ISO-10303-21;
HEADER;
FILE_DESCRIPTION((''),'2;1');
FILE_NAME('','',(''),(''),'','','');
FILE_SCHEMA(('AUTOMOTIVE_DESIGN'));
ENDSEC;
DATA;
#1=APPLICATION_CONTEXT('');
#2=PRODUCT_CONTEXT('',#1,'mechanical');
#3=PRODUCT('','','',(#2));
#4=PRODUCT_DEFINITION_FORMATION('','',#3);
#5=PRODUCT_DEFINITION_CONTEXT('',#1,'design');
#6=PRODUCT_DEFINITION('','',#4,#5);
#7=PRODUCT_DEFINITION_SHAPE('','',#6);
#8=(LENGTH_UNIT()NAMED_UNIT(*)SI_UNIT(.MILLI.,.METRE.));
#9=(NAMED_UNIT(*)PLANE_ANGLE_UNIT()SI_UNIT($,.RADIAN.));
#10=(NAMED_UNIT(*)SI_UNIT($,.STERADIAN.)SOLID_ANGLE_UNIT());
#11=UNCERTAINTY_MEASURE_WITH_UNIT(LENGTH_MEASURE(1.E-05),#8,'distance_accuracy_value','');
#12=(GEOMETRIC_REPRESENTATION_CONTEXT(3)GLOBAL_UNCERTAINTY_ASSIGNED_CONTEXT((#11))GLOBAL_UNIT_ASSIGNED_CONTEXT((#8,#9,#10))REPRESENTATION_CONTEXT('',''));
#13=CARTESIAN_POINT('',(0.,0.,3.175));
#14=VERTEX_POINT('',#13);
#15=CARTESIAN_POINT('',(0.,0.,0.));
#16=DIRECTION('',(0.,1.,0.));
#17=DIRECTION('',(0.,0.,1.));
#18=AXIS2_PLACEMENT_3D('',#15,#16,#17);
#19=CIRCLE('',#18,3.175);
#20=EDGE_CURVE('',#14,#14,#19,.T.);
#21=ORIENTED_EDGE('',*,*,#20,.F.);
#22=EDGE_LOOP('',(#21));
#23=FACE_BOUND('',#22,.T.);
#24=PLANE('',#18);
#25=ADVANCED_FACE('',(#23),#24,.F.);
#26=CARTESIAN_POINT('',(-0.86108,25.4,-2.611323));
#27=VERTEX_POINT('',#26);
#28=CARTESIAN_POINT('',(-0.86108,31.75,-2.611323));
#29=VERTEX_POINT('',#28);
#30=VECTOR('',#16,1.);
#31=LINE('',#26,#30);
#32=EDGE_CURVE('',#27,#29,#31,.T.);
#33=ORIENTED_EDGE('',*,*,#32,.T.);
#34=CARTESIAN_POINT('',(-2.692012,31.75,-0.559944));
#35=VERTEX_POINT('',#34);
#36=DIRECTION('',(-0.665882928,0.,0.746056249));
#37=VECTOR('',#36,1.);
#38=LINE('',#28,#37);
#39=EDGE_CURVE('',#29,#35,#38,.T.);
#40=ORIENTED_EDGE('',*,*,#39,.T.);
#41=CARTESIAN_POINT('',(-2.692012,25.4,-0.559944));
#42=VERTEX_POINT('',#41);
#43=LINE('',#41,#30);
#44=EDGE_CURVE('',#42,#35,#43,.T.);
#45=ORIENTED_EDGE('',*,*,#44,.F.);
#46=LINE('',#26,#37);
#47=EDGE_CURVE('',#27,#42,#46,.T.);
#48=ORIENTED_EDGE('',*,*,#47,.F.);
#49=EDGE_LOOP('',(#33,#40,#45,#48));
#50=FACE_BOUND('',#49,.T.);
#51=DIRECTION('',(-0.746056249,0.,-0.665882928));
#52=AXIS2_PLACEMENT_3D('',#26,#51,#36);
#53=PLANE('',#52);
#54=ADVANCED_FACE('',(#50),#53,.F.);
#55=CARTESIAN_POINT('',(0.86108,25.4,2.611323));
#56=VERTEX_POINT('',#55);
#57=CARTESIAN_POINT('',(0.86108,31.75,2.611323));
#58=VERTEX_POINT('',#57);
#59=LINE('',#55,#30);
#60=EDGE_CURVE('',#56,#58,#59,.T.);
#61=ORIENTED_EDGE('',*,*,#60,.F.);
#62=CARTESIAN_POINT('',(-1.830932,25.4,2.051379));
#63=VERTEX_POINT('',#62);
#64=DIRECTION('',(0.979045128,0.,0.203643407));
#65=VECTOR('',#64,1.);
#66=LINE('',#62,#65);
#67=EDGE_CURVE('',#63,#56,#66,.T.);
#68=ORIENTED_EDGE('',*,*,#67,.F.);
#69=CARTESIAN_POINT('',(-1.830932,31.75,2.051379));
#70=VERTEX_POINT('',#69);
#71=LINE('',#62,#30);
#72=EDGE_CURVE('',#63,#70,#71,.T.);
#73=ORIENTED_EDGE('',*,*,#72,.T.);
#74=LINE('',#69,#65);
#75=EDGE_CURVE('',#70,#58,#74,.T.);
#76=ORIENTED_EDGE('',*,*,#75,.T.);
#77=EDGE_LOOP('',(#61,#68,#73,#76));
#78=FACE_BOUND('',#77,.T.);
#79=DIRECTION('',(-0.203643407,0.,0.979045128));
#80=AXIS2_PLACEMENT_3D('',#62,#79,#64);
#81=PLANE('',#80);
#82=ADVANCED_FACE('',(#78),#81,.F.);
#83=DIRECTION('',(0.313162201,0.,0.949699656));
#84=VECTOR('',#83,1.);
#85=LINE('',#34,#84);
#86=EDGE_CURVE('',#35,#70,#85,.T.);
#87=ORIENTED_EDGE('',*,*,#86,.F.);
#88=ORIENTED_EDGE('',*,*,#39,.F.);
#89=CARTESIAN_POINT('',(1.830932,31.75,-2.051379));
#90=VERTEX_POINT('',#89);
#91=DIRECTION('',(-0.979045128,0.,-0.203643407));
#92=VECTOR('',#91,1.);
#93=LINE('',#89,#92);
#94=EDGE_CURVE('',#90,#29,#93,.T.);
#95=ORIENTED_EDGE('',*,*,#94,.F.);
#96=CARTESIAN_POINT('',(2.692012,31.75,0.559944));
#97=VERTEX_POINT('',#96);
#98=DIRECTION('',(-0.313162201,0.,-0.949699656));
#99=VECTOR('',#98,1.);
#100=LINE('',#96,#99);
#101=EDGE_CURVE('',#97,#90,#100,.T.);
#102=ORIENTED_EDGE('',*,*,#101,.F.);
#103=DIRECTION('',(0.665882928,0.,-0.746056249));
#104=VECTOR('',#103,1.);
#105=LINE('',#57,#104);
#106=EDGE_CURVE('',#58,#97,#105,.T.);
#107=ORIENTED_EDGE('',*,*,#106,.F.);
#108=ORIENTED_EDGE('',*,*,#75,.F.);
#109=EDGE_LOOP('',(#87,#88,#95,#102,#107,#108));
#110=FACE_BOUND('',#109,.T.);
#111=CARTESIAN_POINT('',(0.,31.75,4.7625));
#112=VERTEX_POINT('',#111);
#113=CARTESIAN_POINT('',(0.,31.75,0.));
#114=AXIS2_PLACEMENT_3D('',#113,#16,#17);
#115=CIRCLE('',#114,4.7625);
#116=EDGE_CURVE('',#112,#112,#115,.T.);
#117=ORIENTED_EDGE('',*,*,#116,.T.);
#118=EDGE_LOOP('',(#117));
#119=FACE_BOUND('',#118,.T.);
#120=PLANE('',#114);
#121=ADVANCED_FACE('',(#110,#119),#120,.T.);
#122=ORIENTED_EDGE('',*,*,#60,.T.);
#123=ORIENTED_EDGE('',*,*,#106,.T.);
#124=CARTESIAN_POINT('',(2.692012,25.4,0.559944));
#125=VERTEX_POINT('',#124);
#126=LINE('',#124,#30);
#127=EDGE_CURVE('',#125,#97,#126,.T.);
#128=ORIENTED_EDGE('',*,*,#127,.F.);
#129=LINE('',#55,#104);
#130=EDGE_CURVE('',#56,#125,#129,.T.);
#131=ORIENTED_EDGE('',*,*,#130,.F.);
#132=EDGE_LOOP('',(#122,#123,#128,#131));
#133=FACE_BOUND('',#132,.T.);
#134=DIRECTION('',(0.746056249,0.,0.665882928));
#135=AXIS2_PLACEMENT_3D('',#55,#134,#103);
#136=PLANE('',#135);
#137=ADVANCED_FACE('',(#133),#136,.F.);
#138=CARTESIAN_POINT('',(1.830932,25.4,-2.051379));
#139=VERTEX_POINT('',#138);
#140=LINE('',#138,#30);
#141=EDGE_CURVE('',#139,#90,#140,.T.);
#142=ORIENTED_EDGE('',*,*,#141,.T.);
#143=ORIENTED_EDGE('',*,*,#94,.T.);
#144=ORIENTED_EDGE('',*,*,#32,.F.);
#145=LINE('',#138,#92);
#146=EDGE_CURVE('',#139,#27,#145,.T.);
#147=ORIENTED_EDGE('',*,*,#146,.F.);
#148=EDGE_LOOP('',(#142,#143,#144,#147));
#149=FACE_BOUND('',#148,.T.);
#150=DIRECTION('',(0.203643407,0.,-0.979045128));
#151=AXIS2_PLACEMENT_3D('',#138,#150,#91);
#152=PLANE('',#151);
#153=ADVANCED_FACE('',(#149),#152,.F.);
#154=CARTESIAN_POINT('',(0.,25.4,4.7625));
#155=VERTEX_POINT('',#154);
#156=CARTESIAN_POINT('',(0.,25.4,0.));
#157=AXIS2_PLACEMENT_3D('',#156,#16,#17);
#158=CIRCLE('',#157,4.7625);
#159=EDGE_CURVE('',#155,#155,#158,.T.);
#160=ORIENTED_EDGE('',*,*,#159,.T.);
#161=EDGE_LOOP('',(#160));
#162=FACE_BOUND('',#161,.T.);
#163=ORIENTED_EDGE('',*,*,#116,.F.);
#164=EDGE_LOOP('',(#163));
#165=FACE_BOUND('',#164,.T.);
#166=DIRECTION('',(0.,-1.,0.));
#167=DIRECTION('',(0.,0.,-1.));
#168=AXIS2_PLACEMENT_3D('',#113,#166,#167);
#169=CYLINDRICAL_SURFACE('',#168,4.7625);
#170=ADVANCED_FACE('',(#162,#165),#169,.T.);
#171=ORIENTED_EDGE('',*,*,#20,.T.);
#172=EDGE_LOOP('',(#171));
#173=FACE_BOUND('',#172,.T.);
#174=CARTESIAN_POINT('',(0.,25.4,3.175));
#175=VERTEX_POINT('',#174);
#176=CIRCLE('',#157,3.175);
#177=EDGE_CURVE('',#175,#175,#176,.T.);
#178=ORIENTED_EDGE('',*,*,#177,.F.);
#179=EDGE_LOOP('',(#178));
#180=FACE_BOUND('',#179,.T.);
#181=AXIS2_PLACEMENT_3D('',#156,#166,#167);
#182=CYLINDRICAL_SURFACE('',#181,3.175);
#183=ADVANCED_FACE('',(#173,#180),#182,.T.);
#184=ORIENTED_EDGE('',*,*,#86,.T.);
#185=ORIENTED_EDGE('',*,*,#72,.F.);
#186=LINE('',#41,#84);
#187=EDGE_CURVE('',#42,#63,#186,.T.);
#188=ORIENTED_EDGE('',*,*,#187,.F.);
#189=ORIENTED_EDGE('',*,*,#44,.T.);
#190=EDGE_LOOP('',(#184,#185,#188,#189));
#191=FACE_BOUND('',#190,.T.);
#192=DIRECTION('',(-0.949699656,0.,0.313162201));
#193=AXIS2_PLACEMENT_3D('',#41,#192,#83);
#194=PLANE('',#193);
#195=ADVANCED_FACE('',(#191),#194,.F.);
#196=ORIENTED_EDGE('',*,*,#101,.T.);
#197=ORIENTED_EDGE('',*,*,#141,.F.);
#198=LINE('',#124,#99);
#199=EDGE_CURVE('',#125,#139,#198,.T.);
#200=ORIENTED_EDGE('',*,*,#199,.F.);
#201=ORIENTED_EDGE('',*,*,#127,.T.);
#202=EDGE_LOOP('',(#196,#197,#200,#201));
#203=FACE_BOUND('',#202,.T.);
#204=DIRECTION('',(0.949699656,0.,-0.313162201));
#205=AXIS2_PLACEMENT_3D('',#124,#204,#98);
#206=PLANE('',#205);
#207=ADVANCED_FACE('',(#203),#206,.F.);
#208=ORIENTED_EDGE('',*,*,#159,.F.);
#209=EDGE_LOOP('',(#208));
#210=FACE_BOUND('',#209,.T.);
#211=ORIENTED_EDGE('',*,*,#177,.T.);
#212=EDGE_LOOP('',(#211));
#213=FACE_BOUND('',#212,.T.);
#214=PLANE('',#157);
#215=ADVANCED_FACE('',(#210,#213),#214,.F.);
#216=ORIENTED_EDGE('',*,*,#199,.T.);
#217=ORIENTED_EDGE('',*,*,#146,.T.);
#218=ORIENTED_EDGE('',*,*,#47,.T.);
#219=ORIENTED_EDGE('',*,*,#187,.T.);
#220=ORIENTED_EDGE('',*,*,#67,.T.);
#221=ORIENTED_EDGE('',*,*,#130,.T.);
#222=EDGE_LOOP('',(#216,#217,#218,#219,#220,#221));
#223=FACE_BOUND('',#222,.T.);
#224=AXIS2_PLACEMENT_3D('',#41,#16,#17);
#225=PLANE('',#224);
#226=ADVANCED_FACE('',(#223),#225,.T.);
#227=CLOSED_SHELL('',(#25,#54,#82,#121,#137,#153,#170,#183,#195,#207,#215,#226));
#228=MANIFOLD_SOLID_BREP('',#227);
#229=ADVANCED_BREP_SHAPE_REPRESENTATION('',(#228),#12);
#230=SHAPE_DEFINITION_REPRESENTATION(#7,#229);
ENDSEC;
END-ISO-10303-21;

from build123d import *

# Parameters (mm, degrees)
SKETCH1_R           = 3.175
BOSS_EXTRUDE1_DEPTH = 25.4
SKETCH2_R           = 4.7625
BOSS_EXTRUDE2_DEPTH = 6.35
CUT_EXTRUDE1_DEPTH  = 6.35


with BuildPart() as part:
    # Sketch1 → Boss-Extrude1 (new body)
    with BuildSketch(Plane(origin=(0, 0, 0), x_dir=(1, 0, 0), z_dir=(0, 1, 0))):
        Circle(SKETCH1_R)
    extrude(amount=BOSS_EXTRUDE1_DEPTH)

    # Sketch2 → Boss-Extrude2 (add)
    with BuildSketch(Plane(origin=(0, 25.4, 0), x_dir=(1, 0, 0), z_dir=(0, 1, 0))):
        Circle(SKETCH2_R)
    extrude(amount=BOSS_EXTRUDE2_DEPTH)

    # Sketch3 → Cut-Extrude1 (cut)
    with BuildSketch(Plane(origin=(0, 31.75, 0), x_dir=(1, 0, 0), z_dir=(0, 1, 0))):
        Polygon((-2.692012499, 0.559944154), (-1.830932112, -2.051379134), (0.861080387, -2.611323288), (2.692012499, -0.559944154), (1.830932112, 2.051379134), (-0.861080387, 2.611323288), align=None)
    extrude(amount=-CUT_EXTRUDE1_DEPTH, mode=Mode.SUBTRACT)


solid = part.part
